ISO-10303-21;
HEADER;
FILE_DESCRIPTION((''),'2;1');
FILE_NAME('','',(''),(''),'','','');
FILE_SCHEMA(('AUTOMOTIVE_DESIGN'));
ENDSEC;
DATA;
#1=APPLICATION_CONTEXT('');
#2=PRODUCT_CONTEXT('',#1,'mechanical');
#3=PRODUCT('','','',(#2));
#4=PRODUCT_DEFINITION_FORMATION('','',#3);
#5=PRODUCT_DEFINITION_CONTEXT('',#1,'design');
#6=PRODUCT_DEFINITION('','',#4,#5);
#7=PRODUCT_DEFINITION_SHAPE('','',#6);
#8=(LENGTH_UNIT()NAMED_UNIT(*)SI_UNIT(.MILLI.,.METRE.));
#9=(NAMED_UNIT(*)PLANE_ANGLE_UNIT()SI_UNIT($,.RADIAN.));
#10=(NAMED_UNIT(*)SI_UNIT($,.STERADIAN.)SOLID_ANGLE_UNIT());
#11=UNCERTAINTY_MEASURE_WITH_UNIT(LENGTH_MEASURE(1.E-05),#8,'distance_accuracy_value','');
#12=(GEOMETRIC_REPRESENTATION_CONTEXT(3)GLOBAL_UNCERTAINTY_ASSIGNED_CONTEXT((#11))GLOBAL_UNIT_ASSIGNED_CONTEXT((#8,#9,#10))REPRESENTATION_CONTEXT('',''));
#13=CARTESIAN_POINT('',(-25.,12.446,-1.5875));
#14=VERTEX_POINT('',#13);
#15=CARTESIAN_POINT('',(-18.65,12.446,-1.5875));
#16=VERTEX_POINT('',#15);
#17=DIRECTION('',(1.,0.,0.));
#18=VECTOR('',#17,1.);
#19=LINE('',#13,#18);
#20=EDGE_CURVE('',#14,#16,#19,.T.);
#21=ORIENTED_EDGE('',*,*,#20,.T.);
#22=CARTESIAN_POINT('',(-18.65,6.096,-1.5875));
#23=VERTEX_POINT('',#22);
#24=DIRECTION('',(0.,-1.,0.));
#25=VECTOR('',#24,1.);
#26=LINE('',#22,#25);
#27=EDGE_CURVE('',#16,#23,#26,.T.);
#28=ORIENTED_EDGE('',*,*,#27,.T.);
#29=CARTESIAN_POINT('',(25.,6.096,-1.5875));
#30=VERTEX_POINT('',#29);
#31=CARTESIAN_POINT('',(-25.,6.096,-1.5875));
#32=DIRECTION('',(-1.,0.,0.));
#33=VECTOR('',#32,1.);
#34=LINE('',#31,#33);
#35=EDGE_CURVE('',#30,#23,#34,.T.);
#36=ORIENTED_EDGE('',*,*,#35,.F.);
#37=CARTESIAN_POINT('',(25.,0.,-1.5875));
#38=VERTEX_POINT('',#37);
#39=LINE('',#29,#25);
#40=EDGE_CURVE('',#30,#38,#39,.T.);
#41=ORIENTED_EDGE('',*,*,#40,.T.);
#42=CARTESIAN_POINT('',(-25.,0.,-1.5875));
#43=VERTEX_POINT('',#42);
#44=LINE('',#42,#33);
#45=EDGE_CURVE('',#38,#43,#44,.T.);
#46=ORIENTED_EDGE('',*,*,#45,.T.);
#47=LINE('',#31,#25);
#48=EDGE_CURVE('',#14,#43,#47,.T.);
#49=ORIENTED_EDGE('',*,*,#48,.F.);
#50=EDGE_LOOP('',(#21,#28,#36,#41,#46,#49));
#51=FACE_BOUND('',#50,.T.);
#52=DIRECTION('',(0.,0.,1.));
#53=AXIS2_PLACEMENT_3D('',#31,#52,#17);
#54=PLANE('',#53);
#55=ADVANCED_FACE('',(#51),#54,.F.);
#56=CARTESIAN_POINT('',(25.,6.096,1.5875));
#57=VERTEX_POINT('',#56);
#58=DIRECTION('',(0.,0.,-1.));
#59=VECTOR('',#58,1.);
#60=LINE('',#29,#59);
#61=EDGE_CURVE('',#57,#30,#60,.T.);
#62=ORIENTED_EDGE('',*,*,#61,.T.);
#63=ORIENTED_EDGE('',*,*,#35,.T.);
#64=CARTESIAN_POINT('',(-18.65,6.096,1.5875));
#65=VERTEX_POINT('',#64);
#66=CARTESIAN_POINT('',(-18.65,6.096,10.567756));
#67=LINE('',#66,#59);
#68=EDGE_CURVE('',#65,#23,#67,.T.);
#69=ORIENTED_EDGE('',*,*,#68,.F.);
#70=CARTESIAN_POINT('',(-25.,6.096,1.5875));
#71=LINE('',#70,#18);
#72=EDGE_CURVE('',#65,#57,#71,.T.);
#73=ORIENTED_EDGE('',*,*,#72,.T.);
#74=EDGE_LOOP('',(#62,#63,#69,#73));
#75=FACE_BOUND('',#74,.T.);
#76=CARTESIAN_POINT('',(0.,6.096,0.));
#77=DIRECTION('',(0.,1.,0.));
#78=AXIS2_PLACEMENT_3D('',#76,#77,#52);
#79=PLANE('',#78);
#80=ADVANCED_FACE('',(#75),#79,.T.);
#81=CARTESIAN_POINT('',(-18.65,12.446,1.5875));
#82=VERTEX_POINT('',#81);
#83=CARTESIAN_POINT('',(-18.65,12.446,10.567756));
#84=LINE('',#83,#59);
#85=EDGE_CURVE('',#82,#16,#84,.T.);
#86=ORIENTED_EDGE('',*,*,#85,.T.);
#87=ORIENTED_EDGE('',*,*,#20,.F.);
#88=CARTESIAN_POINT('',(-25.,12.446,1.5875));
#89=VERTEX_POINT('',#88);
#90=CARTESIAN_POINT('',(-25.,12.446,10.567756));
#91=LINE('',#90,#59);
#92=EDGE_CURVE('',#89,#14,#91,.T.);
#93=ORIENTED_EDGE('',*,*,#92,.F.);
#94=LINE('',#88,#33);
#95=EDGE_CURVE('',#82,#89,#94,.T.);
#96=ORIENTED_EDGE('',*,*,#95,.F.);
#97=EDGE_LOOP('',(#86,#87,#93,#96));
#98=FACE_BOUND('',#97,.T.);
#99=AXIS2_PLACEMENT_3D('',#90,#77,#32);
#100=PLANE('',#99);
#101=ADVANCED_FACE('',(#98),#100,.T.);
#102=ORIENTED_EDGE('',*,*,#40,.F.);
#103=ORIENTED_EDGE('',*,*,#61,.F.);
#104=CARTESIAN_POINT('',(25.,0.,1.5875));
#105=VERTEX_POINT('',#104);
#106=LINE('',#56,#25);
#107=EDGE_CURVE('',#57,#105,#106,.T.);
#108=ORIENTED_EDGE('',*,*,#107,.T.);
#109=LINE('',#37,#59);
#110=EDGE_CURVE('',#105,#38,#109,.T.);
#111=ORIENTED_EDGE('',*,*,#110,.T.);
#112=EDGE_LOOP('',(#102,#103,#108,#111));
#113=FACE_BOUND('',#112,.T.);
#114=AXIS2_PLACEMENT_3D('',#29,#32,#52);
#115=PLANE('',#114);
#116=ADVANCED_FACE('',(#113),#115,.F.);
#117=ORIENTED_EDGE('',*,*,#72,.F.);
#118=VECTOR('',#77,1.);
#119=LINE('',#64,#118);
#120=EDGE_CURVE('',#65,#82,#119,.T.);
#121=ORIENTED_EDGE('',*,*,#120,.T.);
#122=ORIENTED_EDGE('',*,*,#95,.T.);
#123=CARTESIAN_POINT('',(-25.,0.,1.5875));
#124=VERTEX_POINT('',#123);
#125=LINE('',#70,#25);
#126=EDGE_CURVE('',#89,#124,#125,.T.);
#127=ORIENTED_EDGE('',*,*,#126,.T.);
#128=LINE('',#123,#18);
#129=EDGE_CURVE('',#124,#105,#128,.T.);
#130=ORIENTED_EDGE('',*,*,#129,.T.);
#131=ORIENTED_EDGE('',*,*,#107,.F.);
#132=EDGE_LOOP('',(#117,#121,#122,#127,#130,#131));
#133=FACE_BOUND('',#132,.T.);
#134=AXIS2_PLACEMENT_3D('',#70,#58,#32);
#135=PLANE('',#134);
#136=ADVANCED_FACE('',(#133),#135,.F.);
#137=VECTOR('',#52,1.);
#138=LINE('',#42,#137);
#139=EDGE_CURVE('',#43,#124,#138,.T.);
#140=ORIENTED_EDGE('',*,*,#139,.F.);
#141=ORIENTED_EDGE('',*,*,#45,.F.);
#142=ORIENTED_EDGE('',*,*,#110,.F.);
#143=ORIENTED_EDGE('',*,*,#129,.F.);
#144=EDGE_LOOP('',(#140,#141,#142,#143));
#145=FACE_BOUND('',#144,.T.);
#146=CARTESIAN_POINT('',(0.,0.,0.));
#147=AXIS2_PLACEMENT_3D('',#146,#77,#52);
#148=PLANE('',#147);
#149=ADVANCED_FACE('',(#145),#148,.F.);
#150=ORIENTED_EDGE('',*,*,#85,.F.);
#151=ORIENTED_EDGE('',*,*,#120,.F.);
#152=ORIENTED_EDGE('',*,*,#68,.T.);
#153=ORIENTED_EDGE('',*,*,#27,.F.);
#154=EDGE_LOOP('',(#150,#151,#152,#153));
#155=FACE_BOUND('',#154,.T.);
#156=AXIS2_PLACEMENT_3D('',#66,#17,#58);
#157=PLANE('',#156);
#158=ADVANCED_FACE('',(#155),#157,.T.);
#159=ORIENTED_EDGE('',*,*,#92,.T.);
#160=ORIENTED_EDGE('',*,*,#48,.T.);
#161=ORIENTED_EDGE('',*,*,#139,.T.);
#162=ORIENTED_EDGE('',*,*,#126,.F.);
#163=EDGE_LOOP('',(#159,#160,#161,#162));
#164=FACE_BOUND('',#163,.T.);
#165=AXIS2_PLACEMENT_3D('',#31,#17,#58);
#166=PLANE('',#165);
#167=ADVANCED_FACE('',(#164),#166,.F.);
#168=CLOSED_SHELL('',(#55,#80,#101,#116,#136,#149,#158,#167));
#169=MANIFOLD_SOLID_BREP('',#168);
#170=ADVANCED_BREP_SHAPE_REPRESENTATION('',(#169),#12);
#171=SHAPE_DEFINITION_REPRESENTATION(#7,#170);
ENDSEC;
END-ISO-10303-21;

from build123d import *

# Parameters (mm, degrees)
SKETCH1_W           = 50
SKETCH1_H           = 3.175
BOSS_EXTRUDE1_DEPTH = 6.096
SKETCH2_W           = 6.35
SKETCH2_H           = 6.35
BOSS_EXTRUDE2_DEPTH = 3.175


with BuildPart() as part:
    # Sketch1 → Boss-Extrude1 (new body)
    with BuildSketch(Plane(origin=(0, 0, 0), x_dir=(1, 0, 0), z_dir=(0, 1, 0))):
        Rectangle(SKETCH1_W, SKETCH1_H)
    extrude(amount=BOSS_EXTRUDE1_DEPTH)

    # Sketch2 → Boss-Extrude2 (add)
    with BuildSketch(Plane(origin=(0, 0, -1.5875), x_dir=(-1, 0, 0), z_dir=(0, 0, -1))):
        with Locations((21.825, 9.271)):
            Rectangle(SKETCH2_W, SKETCH2_H)
    extrude(amount=-BOSS_EXTRUDE2_DEPTH)


solid = part.part
